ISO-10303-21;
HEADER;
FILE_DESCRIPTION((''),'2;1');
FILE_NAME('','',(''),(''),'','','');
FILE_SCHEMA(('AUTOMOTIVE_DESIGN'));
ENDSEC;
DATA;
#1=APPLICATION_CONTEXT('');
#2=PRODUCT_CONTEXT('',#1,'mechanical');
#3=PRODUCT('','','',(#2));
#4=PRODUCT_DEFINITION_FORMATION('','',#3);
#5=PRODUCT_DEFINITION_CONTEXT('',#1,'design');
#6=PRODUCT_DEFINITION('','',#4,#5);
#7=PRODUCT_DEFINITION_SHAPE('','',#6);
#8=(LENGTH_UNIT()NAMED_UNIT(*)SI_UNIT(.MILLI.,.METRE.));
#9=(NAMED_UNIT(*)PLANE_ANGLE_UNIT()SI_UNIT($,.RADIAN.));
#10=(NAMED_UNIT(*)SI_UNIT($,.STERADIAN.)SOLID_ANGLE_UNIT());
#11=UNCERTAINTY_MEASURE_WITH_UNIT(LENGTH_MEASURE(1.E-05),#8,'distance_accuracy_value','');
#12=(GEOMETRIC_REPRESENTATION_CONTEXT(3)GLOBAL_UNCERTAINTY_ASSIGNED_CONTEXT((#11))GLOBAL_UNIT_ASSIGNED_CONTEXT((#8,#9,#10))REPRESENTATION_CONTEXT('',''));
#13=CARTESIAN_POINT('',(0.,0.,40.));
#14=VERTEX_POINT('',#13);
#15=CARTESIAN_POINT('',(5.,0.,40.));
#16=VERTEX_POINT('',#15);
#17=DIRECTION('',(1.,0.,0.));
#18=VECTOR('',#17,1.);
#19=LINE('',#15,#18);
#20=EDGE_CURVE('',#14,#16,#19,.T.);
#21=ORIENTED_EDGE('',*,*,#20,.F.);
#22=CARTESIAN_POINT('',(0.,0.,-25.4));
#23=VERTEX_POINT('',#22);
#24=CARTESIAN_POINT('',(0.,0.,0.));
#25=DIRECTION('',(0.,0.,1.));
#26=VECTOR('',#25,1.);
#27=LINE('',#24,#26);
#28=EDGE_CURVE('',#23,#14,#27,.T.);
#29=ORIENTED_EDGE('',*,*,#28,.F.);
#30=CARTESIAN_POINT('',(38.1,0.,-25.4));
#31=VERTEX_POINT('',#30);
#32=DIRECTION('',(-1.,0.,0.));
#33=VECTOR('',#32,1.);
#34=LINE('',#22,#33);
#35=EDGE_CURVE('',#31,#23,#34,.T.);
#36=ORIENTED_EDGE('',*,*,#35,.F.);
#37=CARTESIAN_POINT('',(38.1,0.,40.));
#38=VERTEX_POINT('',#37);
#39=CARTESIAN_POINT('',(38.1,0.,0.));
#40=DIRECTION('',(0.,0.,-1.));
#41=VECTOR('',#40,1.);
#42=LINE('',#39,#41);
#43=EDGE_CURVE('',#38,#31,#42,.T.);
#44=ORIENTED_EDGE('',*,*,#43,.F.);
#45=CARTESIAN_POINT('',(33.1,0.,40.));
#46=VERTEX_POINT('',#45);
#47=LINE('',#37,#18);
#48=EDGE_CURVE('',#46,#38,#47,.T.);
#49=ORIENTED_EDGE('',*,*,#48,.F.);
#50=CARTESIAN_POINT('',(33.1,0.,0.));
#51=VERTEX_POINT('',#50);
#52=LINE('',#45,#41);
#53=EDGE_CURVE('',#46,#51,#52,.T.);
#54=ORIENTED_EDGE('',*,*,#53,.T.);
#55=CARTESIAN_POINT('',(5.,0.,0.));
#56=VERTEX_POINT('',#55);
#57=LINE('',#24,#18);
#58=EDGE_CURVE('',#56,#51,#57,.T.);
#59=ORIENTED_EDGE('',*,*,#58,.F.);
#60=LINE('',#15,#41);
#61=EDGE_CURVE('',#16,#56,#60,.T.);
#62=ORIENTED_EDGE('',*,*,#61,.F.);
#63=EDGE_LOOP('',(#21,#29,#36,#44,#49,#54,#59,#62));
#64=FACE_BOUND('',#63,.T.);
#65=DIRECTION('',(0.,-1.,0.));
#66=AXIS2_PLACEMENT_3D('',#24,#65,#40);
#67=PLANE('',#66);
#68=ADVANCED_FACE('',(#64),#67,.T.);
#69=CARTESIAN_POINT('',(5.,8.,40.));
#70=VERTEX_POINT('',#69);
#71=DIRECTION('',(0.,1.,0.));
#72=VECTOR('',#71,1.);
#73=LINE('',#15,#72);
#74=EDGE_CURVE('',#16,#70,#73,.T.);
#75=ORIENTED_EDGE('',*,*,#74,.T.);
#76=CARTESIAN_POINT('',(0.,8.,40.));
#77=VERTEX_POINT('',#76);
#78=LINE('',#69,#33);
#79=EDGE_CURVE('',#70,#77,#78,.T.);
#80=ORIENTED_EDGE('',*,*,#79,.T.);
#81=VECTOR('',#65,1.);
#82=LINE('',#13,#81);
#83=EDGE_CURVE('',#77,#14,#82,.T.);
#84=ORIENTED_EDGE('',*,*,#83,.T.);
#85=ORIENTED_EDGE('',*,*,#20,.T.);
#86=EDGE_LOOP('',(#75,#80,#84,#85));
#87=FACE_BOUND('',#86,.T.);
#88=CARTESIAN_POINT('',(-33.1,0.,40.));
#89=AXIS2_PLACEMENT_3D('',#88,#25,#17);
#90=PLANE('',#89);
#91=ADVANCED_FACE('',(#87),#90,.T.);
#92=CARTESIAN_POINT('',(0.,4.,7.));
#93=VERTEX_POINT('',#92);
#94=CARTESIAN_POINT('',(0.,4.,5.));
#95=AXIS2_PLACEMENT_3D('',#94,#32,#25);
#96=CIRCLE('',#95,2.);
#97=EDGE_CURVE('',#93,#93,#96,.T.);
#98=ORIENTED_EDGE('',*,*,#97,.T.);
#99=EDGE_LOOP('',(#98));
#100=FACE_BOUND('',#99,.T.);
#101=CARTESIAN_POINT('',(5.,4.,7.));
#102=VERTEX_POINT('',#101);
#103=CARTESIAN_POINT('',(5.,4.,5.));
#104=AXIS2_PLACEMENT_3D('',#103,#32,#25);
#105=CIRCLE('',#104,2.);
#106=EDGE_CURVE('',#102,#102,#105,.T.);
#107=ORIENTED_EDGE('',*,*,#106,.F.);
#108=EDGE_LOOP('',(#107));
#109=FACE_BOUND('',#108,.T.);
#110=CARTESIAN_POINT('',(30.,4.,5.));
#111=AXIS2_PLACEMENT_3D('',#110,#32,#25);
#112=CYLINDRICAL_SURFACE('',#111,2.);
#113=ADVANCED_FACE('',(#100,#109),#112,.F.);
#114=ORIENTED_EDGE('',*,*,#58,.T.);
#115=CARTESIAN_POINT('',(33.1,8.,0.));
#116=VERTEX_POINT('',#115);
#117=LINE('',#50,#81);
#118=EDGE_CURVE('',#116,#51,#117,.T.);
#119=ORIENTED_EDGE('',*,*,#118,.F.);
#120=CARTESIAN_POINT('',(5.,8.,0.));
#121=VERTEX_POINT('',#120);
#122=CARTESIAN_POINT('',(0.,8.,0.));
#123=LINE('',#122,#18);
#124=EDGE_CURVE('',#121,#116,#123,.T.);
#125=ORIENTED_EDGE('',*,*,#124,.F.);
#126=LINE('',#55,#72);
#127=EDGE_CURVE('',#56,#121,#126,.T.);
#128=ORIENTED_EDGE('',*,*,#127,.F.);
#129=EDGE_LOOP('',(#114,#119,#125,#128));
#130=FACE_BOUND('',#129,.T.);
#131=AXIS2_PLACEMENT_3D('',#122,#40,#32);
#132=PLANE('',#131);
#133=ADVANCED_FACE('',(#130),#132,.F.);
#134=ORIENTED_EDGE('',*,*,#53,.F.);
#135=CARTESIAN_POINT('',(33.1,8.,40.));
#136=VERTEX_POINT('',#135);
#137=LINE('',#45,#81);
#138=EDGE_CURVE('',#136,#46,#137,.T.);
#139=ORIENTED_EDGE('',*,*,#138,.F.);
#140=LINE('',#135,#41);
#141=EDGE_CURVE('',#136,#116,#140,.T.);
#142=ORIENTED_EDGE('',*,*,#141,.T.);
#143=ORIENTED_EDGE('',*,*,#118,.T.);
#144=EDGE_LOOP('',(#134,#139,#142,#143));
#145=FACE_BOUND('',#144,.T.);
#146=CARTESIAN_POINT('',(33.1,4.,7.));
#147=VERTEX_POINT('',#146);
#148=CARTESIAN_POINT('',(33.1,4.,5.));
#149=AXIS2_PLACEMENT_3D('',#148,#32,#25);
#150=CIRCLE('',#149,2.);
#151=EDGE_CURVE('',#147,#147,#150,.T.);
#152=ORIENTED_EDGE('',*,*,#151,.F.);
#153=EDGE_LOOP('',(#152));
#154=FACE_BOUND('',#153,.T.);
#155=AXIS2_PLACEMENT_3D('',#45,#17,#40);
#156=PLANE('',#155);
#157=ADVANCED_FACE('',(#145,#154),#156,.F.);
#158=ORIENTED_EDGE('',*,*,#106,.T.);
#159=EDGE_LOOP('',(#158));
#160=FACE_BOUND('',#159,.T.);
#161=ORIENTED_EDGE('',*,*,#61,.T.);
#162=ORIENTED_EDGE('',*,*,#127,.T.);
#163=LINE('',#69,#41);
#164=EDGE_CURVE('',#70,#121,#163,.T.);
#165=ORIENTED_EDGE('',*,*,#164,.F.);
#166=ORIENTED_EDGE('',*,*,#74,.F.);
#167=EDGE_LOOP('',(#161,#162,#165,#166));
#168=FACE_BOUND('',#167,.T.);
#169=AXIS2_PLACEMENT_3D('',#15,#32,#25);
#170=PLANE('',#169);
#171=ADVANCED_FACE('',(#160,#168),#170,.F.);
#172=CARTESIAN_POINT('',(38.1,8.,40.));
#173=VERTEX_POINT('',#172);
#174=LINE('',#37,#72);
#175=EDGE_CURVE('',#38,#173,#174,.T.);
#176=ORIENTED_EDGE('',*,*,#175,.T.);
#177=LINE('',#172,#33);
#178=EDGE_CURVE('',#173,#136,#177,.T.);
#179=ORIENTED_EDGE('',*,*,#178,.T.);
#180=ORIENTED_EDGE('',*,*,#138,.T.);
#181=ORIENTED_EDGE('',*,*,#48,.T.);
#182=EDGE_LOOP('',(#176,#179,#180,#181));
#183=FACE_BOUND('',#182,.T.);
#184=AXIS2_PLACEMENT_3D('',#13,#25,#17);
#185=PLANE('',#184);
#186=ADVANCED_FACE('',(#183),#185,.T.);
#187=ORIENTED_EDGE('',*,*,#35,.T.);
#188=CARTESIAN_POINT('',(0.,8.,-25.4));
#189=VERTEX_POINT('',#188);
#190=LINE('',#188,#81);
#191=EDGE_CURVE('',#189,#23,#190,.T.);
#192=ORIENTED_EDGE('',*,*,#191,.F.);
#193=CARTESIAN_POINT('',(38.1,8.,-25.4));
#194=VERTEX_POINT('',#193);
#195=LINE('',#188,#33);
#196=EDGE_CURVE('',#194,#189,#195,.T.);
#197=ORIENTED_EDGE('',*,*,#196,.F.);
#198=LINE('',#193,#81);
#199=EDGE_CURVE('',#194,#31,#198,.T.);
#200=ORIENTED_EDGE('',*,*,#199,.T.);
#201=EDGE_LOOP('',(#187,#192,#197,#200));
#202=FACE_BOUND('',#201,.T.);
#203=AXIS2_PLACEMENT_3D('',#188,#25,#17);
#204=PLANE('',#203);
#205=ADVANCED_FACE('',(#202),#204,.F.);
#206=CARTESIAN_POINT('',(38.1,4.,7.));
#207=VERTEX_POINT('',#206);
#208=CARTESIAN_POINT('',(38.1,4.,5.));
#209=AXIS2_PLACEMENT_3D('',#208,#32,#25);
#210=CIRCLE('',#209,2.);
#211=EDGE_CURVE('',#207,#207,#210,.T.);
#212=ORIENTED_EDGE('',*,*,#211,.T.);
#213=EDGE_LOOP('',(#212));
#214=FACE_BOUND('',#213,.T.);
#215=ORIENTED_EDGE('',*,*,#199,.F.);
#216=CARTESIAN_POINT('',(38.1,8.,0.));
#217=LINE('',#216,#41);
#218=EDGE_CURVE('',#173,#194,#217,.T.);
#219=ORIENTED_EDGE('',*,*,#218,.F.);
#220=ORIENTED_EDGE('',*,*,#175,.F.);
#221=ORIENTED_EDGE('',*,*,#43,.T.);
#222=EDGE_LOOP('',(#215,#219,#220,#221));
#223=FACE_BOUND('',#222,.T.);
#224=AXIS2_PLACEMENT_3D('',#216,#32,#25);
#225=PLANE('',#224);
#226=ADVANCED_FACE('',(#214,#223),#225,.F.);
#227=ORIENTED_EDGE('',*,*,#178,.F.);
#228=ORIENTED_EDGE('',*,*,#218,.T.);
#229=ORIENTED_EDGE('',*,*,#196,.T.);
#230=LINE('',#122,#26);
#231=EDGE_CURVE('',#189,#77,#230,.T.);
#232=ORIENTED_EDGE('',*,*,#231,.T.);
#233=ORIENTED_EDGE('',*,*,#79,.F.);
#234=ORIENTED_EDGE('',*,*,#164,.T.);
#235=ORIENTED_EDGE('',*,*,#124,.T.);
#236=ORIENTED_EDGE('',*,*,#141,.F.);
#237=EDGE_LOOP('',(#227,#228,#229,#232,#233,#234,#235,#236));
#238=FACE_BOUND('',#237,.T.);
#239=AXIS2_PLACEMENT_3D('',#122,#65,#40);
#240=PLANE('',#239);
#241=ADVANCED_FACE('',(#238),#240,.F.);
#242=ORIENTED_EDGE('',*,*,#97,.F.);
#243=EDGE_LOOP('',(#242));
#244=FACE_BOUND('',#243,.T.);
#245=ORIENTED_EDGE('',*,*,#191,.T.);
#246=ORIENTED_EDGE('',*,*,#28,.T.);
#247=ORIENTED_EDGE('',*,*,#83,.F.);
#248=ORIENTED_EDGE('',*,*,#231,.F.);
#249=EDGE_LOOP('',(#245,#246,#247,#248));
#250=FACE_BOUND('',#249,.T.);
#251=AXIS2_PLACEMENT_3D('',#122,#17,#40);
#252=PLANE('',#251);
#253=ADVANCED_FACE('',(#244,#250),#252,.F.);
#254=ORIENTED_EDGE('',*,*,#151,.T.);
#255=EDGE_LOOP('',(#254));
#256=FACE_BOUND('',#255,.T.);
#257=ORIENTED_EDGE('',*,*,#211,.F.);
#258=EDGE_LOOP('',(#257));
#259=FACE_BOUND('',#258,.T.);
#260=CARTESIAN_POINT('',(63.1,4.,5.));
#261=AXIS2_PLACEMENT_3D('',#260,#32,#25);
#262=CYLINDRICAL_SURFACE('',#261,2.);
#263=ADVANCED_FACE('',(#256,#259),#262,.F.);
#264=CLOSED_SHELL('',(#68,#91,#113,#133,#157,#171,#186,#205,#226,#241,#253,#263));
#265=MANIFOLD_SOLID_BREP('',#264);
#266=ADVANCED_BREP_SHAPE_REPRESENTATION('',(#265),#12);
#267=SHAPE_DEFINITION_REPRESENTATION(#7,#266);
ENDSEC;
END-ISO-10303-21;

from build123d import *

# Parameters (mm, degrees)
SKETCH1_W           = 38.1
SKETCH1_H           = 25.4
BOSS_EXTRUDE1_DEPTH = 8
SKETCH2_W           = 5
SKETCH2_H           = 8
BOSS_EXTRUDE2_DEPTH = 40
SKETCH3_R           = 2
CUT_EXTRUDE1_DEPTH  = 30
LPATTERN1_COUNT     = 2
LPATTERN1_PITCH     = 33.1


with BuildPart() as part:
    # Sketch1 → Boss-Extrude1 (new body)
    with BuildSketch(Plane(origin=(0, 0, 0), x_dir=(1, 0, 0), z_dir=(0, 1, 0))):
        with Locations((19.05, 12.7)):
            Rectangle(SKETCH1_W, SKETCH1_H)
    extrude(amount=BOSS_EXTRUDE1_DEPTH)

    # Sketch2 → Boss-Extrude2 (add)
    with BuildSketch(Plane.XY):
        with Locations((35.6, 4)):
            Rectangle(SKETCH2_W, SKETCH2_H)
    boss_extrude2 = extrude(amount=BOSS_EXTRUDE2_DEPTH)

    # Sketch3 → Cut-Extrude1 (cut)
    with BuildSketch(Plane.ZY.offset(-33.1)):
        with Locations((5, 4)):
            Circle(SKETCH3_R)
    cut_extrude1 = extrude(amount=-CUT_EXTRUDE1_DEPTH, mode=Mode.SUBTRACT)

    # LPattern1: Boss-Extrude2, Cut-Extrude1 ×2
    with Locations(*[(-i * LPATTERN1_PITCH, 0, 0) for i in range(1, LPATTERN1_COUNT)]):
        add(boss_extrude2)
        add(cut_extrude1, mode=Mode.SUBTRACT)


solid = part.part
